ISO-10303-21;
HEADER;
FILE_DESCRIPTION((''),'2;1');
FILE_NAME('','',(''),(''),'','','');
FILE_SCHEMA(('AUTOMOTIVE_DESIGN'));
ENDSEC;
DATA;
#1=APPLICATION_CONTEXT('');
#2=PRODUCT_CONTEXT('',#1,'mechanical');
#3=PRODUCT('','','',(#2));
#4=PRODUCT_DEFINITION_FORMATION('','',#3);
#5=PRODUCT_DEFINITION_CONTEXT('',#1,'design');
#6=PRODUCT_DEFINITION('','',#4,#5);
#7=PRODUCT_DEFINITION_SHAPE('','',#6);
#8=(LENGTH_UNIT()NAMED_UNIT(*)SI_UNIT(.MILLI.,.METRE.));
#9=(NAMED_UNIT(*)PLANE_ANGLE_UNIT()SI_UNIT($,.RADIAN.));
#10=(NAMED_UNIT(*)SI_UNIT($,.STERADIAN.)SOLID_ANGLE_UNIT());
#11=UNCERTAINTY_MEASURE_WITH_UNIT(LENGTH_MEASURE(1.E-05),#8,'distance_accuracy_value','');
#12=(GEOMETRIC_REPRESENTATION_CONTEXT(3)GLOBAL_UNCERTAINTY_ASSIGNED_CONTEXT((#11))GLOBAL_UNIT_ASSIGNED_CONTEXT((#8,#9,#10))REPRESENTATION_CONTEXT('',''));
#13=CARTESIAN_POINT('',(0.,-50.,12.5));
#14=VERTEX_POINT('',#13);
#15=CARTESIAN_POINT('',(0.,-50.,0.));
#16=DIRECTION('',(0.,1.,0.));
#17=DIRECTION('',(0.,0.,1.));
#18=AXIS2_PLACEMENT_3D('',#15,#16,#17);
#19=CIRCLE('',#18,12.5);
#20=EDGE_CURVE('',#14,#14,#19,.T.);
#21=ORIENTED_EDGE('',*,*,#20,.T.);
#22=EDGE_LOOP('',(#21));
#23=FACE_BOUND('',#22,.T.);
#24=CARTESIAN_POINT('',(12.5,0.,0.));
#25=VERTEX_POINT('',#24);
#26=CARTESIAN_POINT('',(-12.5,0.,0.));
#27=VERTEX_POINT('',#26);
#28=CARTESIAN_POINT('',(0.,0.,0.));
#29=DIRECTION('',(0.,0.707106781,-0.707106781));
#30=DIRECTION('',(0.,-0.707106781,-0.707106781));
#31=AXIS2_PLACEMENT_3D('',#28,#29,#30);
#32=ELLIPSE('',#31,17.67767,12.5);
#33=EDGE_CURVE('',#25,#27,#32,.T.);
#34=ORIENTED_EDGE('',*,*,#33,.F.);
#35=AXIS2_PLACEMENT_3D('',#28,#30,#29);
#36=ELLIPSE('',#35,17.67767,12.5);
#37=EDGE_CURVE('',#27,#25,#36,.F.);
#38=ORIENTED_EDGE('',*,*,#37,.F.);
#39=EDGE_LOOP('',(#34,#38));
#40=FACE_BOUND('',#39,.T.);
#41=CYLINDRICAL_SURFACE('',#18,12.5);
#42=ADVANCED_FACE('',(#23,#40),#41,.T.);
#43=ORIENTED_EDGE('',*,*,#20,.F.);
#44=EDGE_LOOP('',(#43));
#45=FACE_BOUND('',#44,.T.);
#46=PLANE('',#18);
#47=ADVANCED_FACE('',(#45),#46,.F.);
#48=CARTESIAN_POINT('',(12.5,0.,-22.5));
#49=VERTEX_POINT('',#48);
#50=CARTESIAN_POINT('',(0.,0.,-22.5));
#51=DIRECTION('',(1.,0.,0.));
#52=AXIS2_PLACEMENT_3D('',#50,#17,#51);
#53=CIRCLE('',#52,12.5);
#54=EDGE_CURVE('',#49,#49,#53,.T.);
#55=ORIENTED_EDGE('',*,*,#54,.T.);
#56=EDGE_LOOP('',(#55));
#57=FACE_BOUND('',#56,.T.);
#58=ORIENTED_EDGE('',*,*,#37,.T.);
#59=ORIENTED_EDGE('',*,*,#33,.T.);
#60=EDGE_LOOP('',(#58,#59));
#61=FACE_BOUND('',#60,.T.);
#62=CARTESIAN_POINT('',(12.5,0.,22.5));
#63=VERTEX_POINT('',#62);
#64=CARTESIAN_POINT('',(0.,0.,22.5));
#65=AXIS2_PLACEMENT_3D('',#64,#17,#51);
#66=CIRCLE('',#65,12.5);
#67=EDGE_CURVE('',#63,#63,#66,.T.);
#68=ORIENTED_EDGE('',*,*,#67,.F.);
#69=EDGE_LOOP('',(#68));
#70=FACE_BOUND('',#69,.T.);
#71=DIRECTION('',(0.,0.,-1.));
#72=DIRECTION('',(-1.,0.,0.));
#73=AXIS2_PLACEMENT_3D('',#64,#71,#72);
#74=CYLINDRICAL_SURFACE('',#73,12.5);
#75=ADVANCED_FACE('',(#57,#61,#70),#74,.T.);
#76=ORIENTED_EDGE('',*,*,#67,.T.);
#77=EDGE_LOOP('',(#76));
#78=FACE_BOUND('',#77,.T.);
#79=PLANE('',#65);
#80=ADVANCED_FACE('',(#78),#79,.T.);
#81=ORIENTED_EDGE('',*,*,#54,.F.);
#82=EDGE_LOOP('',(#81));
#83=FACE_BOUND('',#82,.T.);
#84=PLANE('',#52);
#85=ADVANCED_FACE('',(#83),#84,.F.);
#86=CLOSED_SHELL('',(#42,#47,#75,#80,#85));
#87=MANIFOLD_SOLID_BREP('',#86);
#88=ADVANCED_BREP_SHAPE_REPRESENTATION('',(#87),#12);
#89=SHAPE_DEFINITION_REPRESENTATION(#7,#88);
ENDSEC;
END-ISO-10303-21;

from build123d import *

# Parameters (mm, degrees)
SKETCH1_R           = 12.5
BOSS_EXTRUDE1_DEPTH = 22.5
SKETCH2_R           = 12.5
BOSS_EXTRUDE2_DEPTH = 50


with BuildPart() as part:
    # Sketch1 → Boss-Extrude1 (new, symmetric)
    with BuildSketch(Plane.XY):
        with Locations(Location((0, 0, 0), (0, 0, 180))):
            Circle(SKETCH1_R)
    extrude(amount=BOSS_EXTRUDE1_DEPTH, both=True)

    # Sketch2 → Boss-Extrude2 (add)
    with BuildSketch(Plane(origin=(0, 0, 0), x_dir=(1, 0, 0), z_dir=(0, 1, 0))):
        with Locations(Location((0, 0, 0), (0, 0, 270))):
            Circle(SKETCH2_R)
    extrude(amount=-BOSS_EXTRUDE2_DEPTH)


solid = part.part
